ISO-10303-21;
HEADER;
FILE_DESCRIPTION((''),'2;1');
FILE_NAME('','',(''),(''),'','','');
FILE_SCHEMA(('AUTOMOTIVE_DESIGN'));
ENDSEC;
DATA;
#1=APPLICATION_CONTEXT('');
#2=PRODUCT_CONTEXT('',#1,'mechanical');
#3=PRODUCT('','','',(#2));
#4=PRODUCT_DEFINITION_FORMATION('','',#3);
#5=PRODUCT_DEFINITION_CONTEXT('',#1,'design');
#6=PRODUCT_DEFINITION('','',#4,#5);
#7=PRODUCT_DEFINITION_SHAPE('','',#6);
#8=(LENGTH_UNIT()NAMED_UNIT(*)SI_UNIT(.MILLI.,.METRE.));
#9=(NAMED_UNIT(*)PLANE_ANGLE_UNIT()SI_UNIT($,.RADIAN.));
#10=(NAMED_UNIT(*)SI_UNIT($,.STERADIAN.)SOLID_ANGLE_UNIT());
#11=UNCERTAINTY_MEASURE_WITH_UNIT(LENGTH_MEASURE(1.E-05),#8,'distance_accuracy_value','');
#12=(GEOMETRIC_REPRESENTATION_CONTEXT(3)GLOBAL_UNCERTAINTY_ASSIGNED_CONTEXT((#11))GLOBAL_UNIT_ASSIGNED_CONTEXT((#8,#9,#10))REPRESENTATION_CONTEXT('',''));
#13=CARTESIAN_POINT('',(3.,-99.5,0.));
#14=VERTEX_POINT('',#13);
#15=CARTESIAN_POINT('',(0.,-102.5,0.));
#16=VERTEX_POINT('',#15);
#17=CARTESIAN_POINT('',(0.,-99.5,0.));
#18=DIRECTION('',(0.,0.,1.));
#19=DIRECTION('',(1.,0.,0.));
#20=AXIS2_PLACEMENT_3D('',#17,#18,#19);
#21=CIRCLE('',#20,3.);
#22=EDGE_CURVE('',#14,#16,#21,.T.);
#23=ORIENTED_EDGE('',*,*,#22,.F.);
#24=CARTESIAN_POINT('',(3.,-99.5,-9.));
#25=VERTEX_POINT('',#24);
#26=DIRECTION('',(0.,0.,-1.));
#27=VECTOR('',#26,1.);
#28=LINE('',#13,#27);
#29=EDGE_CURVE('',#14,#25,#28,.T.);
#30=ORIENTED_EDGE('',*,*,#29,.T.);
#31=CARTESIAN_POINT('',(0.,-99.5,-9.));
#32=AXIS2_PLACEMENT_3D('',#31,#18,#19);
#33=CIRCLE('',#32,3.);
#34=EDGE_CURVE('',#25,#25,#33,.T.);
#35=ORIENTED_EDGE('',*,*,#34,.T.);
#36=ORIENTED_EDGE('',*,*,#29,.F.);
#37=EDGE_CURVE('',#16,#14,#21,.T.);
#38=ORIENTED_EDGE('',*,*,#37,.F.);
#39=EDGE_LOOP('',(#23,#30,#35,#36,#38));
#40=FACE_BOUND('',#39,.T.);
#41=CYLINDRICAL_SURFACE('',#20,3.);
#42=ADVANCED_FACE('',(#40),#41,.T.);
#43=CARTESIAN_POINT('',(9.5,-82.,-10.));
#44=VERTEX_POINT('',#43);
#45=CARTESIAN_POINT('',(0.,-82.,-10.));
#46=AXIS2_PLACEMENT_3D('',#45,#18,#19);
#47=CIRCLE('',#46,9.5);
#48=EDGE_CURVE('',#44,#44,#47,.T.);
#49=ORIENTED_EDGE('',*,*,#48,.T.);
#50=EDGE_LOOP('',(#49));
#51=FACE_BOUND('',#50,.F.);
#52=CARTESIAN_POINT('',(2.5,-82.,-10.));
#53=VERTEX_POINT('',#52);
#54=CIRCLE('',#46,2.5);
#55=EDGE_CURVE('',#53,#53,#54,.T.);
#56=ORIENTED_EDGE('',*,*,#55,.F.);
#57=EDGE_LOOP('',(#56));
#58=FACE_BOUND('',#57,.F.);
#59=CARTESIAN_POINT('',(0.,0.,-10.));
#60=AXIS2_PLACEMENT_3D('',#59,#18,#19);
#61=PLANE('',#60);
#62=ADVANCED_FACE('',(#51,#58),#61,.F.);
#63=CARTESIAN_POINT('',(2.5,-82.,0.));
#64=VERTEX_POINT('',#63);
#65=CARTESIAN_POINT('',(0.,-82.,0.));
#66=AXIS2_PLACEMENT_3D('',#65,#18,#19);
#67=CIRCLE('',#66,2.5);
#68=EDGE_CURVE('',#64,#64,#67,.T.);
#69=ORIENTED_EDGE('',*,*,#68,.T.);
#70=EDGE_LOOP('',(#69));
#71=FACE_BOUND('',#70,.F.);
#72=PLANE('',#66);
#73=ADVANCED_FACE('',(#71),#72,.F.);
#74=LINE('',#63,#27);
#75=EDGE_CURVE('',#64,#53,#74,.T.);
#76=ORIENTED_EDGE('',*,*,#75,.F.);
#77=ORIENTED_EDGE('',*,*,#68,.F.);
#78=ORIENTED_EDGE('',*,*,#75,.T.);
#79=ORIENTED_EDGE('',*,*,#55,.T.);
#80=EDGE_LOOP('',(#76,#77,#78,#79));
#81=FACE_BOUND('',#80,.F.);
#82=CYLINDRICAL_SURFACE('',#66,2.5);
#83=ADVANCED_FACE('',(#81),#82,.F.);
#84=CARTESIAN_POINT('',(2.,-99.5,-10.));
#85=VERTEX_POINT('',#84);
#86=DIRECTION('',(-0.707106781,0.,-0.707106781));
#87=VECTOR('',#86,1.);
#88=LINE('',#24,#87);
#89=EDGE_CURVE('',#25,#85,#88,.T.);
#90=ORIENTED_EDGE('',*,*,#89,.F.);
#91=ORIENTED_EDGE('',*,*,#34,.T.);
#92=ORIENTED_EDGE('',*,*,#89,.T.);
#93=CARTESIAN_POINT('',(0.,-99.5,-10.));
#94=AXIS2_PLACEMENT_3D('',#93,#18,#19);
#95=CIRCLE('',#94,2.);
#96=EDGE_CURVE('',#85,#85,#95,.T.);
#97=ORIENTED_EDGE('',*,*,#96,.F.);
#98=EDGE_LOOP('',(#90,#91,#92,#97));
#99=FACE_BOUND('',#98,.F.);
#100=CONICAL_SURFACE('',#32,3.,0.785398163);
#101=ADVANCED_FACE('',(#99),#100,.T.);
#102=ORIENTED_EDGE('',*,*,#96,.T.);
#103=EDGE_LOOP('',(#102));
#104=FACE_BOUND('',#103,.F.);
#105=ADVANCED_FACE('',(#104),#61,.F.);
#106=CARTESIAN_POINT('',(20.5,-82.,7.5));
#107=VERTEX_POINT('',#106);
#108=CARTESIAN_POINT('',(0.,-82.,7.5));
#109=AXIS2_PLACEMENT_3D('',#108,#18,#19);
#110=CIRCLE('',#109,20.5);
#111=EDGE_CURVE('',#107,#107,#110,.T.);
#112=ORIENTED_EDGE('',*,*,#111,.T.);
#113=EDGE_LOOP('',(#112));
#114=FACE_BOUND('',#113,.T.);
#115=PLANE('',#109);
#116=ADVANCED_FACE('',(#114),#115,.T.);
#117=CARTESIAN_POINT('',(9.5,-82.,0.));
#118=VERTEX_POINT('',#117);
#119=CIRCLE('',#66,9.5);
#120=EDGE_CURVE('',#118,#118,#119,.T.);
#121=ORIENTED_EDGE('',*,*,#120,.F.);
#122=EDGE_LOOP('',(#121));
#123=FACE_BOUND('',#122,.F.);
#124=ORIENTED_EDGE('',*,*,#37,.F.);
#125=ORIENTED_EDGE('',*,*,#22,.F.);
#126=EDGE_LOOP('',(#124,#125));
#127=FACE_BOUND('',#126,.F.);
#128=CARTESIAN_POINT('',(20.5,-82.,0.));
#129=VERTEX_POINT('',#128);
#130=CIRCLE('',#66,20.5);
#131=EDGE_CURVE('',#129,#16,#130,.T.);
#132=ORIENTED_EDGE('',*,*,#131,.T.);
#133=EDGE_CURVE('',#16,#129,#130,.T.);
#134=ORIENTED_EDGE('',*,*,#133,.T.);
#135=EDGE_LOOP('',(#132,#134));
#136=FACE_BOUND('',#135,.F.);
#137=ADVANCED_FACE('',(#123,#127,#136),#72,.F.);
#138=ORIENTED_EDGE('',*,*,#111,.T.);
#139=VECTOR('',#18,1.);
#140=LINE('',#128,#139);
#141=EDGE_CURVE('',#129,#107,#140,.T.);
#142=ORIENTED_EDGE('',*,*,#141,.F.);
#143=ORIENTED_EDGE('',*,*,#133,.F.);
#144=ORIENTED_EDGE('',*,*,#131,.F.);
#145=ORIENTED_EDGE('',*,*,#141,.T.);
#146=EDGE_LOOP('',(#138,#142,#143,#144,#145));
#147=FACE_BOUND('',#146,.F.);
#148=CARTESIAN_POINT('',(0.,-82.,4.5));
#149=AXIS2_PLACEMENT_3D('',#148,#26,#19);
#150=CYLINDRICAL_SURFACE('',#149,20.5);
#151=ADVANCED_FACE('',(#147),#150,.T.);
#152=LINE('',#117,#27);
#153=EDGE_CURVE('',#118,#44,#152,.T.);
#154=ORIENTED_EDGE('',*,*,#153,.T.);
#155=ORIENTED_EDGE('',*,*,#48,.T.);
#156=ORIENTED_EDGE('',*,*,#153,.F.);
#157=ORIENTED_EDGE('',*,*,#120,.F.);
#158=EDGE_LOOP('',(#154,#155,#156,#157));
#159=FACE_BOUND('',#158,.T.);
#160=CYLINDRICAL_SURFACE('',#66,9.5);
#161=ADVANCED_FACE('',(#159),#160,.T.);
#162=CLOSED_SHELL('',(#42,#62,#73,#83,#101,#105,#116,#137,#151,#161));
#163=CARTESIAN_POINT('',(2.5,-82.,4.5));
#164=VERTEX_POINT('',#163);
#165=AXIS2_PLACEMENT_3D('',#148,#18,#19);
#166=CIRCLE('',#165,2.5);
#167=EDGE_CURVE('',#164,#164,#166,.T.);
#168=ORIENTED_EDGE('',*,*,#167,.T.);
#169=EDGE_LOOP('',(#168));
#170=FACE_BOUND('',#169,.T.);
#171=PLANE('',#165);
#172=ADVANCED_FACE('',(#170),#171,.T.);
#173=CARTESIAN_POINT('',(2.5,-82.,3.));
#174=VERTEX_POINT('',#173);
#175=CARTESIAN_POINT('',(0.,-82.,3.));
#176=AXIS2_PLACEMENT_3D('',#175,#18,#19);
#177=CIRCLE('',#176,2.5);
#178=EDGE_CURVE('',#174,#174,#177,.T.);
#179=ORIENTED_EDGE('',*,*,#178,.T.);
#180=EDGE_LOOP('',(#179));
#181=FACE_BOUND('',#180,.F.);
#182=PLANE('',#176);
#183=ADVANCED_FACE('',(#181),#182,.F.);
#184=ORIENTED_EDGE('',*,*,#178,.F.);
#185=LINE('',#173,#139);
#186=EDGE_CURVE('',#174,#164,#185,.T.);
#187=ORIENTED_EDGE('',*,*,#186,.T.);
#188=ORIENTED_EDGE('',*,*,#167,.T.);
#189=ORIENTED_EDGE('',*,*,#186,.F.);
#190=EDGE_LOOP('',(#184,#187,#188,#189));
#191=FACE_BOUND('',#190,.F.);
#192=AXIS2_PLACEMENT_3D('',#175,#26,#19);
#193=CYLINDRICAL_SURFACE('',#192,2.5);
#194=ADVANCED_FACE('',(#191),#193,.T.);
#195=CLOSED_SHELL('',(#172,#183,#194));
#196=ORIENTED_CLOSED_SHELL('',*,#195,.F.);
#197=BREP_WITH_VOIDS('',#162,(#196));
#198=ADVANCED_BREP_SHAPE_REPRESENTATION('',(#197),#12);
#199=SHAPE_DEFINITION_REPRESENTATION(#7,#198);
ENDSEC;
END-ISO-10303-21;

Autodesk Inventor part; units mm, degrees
ref_plane "YZ Plane" through (0, 0, 0) normal (1, 0, 0) x (0, 1, 0)
ref_plane "XZ Plane" through (0, 0, 0) normal (0, 1, 0) x (-1, 0, 0)
ref_plane "Work Plane1" through (0, 0, 0) normal (0, 0, 1) x (1, 0, 0)
sketch "Sketch1" plane through (0, 0, 0) normal (0, 0, 1) x (1, 0, 0)
  circle A0 centre (0, -82) radius 2.5 projected
  circle A1 centre (0, -82) radius 11.5 construction
  circle A2 centre (0, -82) radius 9.5
  circle A3 centre (0, -99.5) radius 3
  point P0 (0, 0)
  dimension "d0" = 2
  dimension "d5" = 6
extrude "Extrusion1" add sketch "Sketch1" against normal blind 10
sketch "Sketch2" plane through (0, -82, 0) normal (0, 0, 1) x (1, 0, 0)
  circle A0 centre (0, 0) radius 17.5 construction
  circle A1 centre (0, 0) radius 20.5
  point P0 (0, 82)
  point P1 (0, -17.5)
  dimension "d6" = 3
extrude "Extrusion2" add sketch "Sketch2" along normal blind 3
chamfer "Chamfer1" distance 1 angle 45 1 edges at (-3, -99.5, -10)
sketch "Sketch3" plane through (0, -82, 3) normal (0, 0, 1) x (1, 0, 0)
  circle A0 centre (0, 0) radius 20.5 projected
  circle A1 centre (0, 0) radius 2.5 projected
  point P0 (0, 82)
ref_plane "Work Plane2" through (-3.7976, -85.7976, 4.5) normal (0, 0, 1) x (1, 0, 0)
extrude "Extrusion3" add sketch "Sketch3" along normal up to surface (1.5 mm away)
sketch "Sketch4" plane through (0, -82, 4.5) normal (0, 0, 1) x (1, 0, 0)
  circle A0 centre (0, 0) radius 20.5 projected
  point P0 (0, 82)
extrude "Extrusion4" add sketch "Sketch4" along normal blind 3
properties part number "Cup_Dispenser_Transmission"
